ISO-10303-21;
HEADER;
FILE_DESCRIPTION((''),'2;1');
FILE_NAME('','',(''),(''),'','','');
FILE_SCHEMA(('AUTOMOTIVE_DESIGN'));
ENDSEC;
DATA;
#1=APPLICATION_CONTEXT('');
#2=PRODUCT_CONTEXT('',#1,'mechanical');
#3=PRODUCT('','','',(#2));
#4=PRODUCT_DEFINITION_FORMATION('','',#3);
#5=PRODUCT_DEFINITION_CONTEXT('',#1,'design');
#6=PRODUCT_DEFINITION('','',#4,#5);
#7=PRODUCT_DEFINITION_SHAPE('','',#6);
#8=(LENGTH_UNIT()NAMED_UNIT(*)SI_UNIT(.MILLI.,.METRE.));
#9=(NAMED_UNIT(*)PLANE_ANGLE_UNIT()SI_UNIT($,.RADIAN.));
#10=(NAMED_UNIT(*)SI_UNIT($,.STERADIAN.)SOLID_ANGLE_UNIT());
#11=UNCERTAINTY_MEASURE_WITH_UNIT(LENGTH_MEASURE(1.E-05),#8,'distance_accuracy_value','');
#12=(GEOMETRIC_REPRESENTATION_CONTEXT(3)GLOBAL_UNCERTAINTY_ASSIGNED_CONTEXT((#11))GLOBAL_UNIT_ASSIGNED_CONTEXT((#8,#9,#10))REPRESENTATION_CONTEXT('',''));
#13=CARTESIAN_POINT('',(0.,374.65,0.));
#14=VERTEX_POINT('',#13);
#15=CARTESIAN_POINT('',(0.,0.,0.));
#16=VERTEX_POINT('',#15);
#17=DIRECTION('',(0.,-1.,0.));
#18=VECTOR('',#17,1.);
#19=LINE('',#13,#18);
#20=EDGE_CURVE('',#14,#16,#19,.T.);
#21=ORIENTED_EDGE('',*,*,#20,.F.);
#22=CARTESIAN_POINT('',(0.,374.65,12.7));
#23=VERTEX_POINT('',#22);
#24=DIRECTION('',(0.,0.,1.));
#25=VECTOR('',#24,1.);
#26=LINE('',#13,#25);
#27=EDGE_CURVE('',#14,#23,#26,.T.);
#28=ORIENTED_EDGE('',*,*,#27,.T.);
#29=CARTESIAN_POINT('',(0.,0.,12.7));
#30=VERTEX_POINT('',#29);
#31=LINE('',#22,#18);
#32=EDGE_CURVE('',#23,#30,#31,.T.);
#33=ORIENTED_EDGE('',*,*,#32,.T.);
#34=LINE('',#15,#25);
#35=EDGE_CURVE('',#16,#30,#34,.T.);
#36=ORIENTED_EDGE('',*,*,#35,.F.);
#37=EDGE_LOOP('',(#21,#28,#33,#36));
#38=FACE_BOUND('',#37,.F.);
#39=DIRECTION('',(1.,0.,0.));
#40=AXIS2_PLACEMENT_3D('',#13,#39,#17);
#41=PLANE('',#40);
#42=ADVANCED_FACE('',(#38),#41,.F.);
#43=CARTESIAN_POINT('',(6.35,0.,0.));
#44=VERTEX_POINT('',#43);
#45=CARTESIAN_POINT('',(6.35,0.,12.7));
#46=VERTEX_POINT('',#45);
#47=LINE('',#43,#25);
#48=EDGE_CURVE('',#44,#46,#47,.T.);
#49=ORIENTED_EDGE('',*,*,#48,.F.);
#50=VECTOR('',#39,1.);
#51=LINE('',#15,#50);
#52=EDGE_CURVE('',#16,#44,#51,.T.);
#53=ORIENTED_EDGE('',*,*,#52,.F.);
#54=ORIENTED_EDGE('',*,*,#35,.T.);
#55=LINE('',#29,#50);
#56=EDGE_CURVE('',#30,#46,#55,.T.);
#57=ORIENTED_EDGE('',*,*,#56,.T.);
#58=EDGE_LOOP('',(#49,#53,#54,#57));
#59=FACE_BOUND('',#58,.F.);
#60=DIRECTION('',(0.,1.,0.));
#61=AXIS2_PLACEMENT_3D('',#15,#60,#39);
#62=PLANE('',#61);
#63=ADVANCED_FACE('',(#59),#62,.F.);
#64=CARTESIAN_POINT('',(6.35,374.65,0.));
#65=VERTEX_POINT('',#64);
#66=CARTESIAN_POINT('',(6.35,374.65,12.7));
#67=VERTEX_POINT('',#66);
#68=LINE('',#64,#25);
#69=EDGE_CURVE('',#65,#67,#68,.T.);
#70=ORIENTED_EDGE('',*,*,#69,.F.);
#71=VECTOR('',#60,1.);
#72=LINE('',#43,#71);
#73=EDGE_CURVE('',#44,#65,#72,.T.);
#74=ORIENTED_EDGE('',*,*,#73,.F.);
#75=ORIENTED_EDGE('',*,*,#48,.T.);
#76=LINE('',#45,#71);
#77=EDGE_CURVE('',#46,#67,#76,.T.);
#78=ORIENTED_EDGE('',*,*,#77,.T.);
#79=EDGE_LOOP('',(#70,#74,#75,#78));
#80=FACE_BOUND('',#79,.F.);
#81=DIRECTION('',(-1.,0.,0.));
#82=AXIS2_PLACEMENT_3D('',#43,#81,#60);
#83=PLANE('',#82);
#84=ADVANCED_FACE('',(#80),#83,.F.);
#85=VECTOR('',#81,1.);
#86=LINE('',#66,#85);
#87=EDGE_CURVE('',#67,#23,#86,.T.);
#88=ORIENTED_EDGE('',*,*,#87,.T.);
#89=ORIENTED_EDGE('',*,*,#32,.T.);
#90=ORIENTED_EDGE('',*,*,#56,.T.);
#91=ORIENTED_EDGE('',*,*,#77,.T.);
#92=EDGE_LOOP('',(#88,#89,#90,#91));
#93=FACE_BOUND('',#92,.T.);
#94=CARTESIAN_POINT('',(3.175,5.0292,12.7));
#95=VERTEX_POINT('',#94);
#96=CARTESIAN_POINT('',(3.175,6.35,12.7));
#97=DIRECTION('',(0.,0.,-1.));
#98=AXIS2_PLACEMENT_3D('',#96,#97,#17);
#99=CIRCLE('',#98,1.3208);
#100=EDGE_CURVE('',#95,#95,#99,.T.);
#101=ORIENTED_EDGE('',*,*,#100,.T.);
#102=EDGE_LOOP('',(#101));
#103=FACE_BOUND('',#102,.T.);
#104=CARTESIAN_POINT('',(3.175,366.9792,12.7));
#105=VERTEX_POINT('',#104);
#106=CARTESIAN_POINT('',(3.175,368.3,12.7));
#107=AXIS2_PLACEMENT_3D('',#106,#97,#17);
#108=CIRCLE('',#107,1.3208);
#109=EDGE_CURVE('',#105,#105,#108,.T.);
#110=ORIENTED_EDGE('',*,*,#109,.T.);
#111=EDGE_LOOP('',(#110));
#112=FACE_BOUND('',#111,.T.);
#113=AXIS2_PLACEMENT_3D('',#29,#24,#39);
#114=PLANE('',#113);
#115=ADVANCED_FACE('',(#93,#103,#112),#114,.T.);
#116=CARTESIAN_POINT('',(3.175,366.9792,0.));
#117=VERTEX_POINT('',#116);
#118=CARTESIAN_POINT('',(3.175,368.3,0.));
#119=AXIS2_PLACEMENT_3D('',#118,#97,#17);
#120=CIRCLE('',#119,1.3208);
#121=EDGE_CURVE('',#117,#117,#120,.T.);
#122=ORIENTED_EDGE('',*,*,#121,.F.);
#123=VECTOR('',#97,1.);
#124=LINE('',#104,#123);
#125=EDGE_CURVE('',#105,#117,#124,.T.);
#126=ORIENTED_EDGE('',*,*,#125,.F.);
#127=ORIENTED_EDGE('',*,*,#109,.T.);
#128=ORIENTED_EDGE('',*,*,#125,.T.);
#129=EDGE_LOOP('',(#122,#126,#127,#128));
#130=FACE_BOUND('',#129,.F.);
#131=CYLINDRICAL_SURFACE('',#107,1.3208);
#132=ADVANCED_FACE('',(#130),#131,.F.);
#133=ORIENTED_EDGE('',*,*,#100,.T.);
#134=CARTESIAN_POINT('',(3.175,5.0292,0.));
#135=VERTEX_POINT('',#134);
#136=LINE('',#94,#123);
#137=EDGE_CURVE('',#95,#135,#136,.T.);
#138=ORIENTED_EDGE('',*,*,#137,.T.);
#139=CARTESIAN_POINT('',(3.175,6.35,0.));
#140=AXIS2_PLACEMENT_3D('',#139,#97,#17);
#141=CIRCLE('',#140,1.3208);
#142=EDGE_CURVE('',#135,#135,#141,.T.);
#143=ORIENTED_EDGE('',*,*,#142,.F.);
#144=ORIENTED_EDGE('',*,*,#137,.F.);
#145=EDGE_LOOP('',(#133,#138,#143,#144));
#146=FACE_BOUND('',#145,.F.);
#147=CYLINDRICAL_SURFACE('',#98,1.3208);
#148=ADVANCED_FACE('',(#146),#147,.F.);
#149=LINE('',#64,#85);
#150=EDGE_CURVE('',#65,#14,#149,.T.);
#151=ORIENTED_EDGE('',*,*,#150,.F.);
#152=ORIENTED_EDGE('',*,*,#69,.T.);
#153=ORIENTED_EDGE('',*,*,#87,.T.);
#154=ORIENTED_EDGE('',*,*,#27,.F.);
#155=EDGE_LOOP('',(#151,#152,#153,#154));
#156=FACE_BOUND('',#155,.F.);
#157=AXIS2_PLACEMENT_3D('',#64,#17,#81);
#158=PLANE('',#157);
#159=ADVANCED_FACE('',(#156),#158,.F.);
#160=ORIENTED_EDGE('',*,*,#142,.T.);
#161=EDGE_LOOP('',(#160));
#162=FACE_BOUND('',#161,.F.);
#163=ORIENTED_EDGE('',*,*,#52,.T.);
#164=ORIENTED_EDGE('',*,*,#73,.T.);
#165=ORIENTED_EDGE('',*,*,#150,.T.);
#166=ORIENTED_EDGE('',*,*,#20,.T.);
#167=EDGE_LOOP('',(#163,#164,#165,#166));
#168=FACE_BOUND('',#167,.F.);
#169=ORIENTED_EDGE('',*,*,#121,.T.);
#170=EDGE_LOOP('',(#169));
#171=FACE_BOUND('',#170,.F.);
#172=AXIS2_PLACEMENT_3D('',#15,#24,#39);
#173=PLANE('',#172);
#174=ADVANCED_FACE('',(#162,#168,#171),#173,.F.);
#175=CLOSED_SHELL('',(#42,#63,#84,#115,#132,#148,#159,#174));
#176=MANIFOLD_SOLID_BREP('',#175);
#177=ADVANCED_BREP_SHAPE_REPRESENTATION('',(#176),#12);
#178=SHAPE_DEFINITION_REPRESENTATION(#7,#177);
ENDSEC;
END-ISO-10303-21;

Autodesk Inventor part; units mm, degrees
ref_plane "YZ Plane" through (0, 0, 0) normal (1, 0, 0) x (0, 1, 0)
ref_plane "XZ Plane" through (0, 0, 0) normal (0, 1, 0) x (-1, 0, 0)
ref_plane "XY Plane" through (0, 0, 0) normal (0, 0, 1) x (1, 0, 0)
sketch "Sketch1" plane through (0, 0, 0) normal (0, 0, 1) x (1, 0, 0)
  line L0 (0, 0) -> (6.35, 0)
  line L1 (6.35, 0) -> (6.35, 374.65)
  line L2 (6.35, 374.65) -> (0, 374.65)
  line L3 (0, 374.65) -> (0, 0)
  dimension "d0" = 6.35
  dimension "d1" = 374.65
extrude "Extrusion1" add sketch "Sketch1" along normal blind 12.7
sketch "Sketch2" plane through (0, 0, 12.7) normal (0, 0, 1) x (1, 0, 0)
  line L0 (0, 0) -> (6.35, 0) projected
  line L1 (3.175, 0) -> (3.175, 6.35)
  circle A0 centre (3.175, 6.35) radius 1.778
  line L2 (6.35, 374.65) -> (0, 374.65) projected
  line L3 (3.175, 374.65) -> (3.175, 368.3)
  circle A1 centre (3.175, 368.3) radius 1.778
  dimension "d4" = 6.35
  dimension "d5" = 3.556
  dimension "d6" = 6.35
  dimension "d7" = 3.556
hole "Hole1" at (3.175, 368.3, 12.7) at (3.175, 6.35, 12.7) direction (0, 0, -1) diameter 2.6416 depth 12.7 tip angle 118 thread size "6-32 UNC" class "2B" standard "ANSI Unified Screw Threads"
properties part number "GlyphPlateRightSide"
